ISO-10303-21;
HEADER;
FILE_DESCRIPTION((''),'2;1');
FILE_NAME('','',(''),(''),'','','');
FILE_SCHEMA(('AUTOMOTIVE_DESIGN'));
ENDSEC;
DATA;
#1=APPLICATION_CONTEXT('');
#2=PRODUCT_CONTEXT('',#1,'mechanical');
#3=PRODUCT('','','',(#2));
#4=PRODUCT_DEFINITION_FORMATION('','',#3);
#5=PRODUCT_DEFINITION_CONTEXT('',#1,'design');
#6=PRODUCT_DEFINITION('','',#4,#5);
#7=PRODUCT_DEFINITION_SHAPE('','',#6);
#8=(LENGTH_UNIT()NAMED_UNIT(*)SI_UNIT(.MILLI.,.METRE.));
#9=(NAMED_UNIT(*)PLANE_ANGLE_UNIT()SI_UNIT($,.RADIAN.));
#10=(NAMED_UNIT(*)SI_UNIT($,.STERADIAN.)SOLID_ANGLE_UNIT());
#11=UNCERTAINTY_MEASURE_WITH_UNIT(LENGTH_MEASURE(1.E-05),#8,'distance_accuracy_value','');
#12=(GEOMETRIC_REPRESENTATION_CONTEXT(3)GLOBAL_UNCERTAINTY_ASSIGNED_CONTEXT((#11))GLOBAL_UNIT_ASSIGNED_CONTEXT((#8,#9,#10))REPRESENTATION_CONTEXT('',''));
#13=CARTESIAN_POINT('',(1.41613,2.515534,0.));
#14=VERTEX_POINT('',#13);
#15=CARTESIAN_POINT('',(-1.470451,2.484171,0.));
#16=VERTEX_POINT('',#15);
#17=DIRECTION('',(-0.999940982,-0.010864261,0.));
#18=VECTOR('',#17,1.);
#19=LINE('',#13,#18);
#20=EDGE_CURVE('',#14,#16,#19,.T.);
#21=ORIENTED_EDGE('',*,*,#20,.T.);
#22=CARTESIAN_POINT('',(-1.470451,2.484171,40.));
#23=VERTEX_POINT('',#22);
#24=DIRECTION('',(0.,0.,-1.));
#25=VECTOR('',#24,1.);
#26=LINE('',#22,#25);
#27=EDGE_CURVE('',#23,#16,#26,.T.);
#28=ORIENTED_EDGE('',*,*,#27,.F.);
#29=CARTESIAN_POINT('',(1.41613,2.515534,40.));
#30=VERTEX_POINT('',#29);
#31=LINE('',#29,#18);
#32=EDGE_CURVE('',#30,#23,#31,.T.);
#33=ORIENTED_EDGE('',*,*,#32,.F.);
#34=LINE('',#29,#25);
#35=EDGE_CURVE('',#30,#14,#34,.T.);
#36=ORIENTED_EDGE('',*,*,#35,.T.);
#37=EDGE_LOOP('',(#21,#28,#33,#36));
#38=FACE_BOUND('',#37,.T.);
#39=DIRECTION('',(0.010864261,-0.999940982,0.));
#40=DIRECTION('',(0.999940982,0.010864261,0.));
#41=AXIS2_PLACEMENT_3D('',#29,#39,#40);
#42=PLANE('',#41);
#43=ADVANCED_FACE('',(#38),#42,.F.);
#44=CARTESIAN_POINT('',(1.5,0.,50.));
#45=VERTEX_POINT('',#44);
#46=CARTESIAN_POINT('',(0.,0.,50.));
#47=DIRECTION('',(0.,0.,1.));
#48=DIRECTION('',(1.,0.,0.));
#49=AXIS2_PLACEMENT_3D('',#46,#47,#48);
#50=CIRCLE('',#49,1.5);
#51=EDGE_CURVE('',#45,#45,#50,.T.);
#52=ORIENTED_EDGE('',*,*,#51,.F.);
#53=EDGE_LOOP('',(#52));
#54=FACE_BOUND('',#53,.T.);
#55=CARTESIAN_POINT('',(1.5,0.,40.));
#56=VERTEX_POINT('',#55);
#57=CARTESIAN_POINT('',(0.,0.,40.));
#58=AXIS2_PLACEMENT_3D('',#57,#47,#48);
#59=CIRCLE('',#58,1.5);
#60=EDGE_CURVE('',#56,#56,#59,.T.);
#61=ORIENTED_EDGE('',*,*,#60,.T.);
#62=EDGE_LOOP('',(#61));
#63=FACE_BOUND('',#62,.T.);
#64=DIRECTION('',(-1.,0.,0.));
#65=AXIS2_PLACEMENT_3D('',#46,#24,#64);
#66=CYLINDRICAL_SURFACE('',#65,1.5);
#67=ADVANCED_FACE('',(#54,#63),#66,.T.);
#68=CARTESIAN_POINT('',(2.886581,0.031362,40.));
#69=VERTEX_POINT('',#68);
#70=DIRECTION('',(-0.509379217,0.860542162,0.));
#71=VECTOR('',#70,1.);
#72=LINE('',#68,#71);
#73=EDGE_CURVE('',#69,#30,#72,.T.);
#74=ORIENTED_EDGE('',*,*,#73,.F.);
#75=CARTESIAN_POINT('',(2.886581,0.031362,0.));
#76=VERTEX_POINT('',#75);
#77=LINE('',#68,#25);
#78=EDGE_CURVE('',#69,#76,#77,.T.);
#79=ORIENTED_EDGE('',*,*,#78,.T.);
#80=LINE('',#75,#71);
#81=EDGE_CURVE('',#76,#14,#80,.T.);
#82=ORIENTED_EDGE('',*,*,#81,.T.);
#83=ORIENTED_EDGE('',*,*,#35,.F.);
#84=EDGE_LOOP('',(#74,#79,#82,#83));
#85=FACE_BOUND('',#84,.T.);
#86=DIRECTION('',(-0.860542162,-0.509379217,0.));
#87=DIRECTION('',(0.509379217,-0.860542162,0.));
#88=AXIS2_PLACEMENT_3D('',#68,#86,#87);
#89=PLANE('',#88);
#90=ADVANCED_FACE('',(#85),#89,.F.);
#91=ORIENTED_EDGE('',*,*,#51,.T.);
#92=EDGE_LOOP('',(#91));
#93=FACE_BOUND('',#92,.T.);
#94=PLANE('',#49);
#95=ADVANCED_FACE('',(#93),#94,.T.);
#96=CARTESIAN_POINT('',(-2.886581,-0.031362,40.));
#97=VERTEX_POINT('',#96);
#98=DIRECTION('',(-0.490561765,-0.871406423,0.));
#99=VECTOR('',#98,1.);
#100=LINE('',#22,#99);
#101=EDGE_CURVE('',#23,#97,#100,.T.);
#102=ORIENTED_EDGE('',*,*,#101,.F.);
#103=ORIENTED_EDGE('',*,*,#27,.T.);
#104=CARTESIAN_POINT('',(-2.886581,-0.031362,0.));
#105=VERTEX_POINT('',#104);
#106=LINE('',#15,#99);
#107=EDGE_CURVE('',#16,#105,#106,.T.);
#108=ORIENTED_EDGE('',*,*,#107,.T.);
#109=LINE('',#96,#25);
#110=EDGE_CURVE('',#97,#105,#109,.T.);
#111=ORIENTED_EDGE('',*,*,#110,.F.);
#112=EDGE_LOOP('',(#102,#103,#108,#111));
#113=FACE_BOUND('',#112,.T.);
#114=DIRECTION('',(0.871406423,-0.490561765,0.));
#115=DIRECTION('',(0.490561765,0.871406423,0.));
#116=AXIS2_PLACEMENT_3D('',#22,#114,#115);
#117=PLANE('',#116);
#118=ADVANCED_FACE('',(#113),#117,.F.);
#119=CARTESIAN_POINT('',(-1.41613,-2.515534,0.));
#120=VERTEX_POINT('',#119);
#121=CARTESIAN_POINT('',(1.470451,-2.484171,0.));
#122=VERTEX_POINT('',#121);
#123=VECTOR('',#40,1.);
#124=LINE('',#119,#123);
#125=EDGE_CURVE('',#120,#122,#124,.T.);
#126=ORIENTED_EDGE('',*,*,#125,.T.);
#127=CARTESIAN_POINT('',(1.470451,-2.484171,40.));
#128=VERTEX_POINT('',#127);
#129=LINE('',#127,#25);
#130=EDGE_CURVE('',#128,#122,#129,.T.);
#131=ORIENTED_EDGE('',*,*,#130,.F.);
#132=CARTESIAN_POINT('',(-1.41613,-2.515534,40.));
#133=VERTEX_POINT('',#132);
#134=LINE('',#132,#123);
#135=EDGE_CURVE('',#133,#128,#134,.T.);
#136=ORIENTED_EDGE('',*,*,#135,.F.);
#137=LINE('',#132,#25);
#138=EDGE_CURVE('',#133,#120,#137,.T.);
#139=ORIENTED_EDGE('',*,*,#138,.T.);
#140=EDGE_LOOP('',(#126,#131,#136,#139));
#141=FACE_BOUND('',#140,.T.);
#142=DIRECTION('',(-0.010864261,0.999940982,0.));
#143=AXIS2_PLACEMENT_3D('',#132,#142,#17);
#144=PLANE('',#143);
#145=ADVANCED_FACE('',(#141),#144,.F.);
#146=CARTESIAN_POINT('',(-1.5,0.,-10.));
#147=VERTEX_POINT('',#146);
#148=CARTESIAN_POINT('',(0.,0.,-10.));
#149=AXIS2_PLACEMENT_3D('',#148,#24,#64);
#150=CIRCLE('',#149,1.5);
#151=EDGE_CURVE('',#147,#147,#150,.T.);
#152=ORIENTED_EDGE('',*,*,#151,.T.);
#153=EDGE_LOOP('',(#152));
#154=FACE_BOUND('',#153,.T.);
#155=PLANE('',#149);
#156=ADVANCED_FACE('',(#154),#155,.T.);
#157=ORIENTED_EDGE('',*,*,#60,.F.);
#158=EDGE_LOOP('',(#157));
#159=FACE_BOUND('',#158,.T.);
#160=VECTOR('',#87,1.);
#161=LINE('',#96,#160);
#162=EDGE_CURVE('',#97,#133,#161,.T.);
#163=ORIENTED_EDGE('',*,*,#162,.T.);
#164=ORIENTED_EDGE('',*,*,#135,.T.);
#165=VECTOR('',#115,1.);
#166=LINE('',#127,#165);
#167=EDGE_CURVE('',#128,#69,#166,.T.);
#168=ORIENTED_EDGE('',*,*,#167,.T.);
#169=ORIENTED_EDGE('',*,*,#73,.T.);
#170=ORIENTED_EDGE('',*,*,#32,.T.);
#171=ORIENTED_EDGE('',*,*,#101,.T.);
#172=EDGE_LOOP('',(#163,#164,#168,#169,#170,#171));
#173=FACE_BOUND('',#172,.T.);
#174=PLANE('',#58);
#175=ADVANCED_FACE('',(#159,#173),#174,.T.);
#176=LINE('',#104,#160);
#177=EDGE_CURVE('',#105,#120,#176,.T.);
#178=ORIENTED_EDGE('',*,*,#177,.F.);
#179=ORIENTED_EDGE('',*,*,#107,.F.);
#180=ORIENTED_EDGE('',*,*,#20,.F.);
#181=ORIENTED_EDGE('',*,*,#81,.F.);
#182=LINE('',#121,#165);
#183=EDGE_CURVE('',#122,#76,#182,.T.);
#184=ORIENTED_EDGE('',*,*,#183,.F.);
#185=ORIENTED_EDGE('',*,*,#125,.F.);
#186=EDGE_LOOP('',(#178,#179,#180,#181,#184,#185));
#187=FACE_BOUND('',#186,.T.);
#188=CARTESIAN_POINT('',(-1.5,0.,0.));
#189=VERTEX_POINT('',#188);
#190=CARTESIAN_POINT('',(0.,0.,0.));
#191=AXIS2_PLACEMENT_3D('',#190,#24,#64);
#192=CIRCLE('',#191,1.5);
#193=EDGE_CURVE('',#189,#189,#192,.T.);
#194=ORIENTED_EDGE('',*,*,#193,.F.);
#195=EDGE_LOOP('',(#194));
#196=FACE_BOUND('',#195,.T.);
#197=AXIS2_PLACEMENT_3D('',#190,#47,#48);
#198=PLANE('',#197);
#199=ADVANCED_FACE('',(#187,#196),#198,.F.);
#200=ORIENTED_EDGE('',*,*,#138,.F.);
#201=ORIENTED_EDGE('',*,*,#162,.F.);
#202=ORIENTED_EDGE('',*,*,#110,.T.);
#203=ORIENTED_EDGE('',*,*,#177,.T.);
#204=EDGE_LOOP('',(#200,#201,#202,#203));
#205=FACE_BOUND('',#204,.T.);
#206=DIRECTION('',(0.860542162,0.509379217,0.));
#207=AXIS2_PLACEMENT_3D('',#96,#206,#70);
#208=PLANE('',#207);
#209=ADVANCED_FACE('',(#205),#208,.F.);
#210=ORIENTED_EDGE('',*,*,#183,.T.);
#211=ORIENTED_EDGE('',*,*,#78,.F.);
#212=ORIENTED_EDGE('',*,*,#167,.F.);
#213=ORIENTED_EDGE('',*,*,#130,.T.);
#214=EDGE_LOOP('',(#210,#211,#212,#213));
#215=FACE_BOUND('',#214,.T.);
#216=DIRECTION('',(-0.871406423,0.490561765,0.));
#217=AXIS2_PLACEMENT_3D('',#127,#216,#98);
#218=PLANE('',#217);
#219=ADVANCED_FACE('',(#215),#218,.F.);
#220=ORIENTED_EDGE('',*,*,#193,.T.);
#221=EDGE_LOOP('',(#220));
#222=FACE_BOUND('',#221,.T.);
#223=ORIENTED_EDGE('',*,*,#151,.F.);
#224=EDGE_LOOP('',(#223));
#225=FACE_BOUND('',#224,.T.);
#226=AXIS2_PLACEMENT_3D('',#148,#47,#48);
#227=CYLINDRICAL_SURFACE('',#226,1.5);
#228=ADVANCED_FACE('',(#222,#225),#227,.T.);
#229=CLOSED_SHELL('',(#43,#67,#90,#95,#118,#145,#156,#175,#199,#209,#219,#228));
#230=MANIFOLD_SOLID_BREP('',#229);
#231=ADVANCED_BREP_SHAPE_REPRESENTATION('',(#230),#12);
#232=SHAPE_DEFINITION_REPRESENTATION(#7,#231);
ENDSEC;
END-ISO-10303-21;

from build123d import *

# Parameters (mm, degrees)
BOSS_EXTRU_1_DEPTH = 40
ESQUISSE2_R        = 1.5
BOSS_EXTRU_2_DEPTH = 10
ESQUISSE3_R        = 1.5
BOSS_EXTRU_3_DEPTH = 10


with BuildPart() as part:
    # Esquisse1 → Boss.-Extru.1 (new body)
    with BuildSketch(Plane.XY):
        Polygon((1.470451141, -2.484171245), (2.886580976, 0.03136242), (1.416129835, 2.515533666), (-1.470451141, 2.484171245), (-2.886580976, -0.03136242), (-1.416129835, -2.515533666), align=None)
    extrude(amount=BOSS_EXTRU_1_DEPTH)

    # Esquisse2 → Boss.-Extru.2 (add)
    with BuildSketch(Plane.XY.offset(40)):
        Circle(ESQUISSE2_R)
    extrude(amount=BOSS_EXTRU_2_DEPTH)

    # Esquisse3 → Boss.-Extru.3 (add)
    with BuildSketch(Plane(origin=(0, 0, 0), x_dir=(-1, 0, 0), z_dir=(0, 0, -1))):
        Circle(ESQUISSE3_R)
    extrude(amount=BOSS_EXTRU_3_DEPTH)


solid = part.part
